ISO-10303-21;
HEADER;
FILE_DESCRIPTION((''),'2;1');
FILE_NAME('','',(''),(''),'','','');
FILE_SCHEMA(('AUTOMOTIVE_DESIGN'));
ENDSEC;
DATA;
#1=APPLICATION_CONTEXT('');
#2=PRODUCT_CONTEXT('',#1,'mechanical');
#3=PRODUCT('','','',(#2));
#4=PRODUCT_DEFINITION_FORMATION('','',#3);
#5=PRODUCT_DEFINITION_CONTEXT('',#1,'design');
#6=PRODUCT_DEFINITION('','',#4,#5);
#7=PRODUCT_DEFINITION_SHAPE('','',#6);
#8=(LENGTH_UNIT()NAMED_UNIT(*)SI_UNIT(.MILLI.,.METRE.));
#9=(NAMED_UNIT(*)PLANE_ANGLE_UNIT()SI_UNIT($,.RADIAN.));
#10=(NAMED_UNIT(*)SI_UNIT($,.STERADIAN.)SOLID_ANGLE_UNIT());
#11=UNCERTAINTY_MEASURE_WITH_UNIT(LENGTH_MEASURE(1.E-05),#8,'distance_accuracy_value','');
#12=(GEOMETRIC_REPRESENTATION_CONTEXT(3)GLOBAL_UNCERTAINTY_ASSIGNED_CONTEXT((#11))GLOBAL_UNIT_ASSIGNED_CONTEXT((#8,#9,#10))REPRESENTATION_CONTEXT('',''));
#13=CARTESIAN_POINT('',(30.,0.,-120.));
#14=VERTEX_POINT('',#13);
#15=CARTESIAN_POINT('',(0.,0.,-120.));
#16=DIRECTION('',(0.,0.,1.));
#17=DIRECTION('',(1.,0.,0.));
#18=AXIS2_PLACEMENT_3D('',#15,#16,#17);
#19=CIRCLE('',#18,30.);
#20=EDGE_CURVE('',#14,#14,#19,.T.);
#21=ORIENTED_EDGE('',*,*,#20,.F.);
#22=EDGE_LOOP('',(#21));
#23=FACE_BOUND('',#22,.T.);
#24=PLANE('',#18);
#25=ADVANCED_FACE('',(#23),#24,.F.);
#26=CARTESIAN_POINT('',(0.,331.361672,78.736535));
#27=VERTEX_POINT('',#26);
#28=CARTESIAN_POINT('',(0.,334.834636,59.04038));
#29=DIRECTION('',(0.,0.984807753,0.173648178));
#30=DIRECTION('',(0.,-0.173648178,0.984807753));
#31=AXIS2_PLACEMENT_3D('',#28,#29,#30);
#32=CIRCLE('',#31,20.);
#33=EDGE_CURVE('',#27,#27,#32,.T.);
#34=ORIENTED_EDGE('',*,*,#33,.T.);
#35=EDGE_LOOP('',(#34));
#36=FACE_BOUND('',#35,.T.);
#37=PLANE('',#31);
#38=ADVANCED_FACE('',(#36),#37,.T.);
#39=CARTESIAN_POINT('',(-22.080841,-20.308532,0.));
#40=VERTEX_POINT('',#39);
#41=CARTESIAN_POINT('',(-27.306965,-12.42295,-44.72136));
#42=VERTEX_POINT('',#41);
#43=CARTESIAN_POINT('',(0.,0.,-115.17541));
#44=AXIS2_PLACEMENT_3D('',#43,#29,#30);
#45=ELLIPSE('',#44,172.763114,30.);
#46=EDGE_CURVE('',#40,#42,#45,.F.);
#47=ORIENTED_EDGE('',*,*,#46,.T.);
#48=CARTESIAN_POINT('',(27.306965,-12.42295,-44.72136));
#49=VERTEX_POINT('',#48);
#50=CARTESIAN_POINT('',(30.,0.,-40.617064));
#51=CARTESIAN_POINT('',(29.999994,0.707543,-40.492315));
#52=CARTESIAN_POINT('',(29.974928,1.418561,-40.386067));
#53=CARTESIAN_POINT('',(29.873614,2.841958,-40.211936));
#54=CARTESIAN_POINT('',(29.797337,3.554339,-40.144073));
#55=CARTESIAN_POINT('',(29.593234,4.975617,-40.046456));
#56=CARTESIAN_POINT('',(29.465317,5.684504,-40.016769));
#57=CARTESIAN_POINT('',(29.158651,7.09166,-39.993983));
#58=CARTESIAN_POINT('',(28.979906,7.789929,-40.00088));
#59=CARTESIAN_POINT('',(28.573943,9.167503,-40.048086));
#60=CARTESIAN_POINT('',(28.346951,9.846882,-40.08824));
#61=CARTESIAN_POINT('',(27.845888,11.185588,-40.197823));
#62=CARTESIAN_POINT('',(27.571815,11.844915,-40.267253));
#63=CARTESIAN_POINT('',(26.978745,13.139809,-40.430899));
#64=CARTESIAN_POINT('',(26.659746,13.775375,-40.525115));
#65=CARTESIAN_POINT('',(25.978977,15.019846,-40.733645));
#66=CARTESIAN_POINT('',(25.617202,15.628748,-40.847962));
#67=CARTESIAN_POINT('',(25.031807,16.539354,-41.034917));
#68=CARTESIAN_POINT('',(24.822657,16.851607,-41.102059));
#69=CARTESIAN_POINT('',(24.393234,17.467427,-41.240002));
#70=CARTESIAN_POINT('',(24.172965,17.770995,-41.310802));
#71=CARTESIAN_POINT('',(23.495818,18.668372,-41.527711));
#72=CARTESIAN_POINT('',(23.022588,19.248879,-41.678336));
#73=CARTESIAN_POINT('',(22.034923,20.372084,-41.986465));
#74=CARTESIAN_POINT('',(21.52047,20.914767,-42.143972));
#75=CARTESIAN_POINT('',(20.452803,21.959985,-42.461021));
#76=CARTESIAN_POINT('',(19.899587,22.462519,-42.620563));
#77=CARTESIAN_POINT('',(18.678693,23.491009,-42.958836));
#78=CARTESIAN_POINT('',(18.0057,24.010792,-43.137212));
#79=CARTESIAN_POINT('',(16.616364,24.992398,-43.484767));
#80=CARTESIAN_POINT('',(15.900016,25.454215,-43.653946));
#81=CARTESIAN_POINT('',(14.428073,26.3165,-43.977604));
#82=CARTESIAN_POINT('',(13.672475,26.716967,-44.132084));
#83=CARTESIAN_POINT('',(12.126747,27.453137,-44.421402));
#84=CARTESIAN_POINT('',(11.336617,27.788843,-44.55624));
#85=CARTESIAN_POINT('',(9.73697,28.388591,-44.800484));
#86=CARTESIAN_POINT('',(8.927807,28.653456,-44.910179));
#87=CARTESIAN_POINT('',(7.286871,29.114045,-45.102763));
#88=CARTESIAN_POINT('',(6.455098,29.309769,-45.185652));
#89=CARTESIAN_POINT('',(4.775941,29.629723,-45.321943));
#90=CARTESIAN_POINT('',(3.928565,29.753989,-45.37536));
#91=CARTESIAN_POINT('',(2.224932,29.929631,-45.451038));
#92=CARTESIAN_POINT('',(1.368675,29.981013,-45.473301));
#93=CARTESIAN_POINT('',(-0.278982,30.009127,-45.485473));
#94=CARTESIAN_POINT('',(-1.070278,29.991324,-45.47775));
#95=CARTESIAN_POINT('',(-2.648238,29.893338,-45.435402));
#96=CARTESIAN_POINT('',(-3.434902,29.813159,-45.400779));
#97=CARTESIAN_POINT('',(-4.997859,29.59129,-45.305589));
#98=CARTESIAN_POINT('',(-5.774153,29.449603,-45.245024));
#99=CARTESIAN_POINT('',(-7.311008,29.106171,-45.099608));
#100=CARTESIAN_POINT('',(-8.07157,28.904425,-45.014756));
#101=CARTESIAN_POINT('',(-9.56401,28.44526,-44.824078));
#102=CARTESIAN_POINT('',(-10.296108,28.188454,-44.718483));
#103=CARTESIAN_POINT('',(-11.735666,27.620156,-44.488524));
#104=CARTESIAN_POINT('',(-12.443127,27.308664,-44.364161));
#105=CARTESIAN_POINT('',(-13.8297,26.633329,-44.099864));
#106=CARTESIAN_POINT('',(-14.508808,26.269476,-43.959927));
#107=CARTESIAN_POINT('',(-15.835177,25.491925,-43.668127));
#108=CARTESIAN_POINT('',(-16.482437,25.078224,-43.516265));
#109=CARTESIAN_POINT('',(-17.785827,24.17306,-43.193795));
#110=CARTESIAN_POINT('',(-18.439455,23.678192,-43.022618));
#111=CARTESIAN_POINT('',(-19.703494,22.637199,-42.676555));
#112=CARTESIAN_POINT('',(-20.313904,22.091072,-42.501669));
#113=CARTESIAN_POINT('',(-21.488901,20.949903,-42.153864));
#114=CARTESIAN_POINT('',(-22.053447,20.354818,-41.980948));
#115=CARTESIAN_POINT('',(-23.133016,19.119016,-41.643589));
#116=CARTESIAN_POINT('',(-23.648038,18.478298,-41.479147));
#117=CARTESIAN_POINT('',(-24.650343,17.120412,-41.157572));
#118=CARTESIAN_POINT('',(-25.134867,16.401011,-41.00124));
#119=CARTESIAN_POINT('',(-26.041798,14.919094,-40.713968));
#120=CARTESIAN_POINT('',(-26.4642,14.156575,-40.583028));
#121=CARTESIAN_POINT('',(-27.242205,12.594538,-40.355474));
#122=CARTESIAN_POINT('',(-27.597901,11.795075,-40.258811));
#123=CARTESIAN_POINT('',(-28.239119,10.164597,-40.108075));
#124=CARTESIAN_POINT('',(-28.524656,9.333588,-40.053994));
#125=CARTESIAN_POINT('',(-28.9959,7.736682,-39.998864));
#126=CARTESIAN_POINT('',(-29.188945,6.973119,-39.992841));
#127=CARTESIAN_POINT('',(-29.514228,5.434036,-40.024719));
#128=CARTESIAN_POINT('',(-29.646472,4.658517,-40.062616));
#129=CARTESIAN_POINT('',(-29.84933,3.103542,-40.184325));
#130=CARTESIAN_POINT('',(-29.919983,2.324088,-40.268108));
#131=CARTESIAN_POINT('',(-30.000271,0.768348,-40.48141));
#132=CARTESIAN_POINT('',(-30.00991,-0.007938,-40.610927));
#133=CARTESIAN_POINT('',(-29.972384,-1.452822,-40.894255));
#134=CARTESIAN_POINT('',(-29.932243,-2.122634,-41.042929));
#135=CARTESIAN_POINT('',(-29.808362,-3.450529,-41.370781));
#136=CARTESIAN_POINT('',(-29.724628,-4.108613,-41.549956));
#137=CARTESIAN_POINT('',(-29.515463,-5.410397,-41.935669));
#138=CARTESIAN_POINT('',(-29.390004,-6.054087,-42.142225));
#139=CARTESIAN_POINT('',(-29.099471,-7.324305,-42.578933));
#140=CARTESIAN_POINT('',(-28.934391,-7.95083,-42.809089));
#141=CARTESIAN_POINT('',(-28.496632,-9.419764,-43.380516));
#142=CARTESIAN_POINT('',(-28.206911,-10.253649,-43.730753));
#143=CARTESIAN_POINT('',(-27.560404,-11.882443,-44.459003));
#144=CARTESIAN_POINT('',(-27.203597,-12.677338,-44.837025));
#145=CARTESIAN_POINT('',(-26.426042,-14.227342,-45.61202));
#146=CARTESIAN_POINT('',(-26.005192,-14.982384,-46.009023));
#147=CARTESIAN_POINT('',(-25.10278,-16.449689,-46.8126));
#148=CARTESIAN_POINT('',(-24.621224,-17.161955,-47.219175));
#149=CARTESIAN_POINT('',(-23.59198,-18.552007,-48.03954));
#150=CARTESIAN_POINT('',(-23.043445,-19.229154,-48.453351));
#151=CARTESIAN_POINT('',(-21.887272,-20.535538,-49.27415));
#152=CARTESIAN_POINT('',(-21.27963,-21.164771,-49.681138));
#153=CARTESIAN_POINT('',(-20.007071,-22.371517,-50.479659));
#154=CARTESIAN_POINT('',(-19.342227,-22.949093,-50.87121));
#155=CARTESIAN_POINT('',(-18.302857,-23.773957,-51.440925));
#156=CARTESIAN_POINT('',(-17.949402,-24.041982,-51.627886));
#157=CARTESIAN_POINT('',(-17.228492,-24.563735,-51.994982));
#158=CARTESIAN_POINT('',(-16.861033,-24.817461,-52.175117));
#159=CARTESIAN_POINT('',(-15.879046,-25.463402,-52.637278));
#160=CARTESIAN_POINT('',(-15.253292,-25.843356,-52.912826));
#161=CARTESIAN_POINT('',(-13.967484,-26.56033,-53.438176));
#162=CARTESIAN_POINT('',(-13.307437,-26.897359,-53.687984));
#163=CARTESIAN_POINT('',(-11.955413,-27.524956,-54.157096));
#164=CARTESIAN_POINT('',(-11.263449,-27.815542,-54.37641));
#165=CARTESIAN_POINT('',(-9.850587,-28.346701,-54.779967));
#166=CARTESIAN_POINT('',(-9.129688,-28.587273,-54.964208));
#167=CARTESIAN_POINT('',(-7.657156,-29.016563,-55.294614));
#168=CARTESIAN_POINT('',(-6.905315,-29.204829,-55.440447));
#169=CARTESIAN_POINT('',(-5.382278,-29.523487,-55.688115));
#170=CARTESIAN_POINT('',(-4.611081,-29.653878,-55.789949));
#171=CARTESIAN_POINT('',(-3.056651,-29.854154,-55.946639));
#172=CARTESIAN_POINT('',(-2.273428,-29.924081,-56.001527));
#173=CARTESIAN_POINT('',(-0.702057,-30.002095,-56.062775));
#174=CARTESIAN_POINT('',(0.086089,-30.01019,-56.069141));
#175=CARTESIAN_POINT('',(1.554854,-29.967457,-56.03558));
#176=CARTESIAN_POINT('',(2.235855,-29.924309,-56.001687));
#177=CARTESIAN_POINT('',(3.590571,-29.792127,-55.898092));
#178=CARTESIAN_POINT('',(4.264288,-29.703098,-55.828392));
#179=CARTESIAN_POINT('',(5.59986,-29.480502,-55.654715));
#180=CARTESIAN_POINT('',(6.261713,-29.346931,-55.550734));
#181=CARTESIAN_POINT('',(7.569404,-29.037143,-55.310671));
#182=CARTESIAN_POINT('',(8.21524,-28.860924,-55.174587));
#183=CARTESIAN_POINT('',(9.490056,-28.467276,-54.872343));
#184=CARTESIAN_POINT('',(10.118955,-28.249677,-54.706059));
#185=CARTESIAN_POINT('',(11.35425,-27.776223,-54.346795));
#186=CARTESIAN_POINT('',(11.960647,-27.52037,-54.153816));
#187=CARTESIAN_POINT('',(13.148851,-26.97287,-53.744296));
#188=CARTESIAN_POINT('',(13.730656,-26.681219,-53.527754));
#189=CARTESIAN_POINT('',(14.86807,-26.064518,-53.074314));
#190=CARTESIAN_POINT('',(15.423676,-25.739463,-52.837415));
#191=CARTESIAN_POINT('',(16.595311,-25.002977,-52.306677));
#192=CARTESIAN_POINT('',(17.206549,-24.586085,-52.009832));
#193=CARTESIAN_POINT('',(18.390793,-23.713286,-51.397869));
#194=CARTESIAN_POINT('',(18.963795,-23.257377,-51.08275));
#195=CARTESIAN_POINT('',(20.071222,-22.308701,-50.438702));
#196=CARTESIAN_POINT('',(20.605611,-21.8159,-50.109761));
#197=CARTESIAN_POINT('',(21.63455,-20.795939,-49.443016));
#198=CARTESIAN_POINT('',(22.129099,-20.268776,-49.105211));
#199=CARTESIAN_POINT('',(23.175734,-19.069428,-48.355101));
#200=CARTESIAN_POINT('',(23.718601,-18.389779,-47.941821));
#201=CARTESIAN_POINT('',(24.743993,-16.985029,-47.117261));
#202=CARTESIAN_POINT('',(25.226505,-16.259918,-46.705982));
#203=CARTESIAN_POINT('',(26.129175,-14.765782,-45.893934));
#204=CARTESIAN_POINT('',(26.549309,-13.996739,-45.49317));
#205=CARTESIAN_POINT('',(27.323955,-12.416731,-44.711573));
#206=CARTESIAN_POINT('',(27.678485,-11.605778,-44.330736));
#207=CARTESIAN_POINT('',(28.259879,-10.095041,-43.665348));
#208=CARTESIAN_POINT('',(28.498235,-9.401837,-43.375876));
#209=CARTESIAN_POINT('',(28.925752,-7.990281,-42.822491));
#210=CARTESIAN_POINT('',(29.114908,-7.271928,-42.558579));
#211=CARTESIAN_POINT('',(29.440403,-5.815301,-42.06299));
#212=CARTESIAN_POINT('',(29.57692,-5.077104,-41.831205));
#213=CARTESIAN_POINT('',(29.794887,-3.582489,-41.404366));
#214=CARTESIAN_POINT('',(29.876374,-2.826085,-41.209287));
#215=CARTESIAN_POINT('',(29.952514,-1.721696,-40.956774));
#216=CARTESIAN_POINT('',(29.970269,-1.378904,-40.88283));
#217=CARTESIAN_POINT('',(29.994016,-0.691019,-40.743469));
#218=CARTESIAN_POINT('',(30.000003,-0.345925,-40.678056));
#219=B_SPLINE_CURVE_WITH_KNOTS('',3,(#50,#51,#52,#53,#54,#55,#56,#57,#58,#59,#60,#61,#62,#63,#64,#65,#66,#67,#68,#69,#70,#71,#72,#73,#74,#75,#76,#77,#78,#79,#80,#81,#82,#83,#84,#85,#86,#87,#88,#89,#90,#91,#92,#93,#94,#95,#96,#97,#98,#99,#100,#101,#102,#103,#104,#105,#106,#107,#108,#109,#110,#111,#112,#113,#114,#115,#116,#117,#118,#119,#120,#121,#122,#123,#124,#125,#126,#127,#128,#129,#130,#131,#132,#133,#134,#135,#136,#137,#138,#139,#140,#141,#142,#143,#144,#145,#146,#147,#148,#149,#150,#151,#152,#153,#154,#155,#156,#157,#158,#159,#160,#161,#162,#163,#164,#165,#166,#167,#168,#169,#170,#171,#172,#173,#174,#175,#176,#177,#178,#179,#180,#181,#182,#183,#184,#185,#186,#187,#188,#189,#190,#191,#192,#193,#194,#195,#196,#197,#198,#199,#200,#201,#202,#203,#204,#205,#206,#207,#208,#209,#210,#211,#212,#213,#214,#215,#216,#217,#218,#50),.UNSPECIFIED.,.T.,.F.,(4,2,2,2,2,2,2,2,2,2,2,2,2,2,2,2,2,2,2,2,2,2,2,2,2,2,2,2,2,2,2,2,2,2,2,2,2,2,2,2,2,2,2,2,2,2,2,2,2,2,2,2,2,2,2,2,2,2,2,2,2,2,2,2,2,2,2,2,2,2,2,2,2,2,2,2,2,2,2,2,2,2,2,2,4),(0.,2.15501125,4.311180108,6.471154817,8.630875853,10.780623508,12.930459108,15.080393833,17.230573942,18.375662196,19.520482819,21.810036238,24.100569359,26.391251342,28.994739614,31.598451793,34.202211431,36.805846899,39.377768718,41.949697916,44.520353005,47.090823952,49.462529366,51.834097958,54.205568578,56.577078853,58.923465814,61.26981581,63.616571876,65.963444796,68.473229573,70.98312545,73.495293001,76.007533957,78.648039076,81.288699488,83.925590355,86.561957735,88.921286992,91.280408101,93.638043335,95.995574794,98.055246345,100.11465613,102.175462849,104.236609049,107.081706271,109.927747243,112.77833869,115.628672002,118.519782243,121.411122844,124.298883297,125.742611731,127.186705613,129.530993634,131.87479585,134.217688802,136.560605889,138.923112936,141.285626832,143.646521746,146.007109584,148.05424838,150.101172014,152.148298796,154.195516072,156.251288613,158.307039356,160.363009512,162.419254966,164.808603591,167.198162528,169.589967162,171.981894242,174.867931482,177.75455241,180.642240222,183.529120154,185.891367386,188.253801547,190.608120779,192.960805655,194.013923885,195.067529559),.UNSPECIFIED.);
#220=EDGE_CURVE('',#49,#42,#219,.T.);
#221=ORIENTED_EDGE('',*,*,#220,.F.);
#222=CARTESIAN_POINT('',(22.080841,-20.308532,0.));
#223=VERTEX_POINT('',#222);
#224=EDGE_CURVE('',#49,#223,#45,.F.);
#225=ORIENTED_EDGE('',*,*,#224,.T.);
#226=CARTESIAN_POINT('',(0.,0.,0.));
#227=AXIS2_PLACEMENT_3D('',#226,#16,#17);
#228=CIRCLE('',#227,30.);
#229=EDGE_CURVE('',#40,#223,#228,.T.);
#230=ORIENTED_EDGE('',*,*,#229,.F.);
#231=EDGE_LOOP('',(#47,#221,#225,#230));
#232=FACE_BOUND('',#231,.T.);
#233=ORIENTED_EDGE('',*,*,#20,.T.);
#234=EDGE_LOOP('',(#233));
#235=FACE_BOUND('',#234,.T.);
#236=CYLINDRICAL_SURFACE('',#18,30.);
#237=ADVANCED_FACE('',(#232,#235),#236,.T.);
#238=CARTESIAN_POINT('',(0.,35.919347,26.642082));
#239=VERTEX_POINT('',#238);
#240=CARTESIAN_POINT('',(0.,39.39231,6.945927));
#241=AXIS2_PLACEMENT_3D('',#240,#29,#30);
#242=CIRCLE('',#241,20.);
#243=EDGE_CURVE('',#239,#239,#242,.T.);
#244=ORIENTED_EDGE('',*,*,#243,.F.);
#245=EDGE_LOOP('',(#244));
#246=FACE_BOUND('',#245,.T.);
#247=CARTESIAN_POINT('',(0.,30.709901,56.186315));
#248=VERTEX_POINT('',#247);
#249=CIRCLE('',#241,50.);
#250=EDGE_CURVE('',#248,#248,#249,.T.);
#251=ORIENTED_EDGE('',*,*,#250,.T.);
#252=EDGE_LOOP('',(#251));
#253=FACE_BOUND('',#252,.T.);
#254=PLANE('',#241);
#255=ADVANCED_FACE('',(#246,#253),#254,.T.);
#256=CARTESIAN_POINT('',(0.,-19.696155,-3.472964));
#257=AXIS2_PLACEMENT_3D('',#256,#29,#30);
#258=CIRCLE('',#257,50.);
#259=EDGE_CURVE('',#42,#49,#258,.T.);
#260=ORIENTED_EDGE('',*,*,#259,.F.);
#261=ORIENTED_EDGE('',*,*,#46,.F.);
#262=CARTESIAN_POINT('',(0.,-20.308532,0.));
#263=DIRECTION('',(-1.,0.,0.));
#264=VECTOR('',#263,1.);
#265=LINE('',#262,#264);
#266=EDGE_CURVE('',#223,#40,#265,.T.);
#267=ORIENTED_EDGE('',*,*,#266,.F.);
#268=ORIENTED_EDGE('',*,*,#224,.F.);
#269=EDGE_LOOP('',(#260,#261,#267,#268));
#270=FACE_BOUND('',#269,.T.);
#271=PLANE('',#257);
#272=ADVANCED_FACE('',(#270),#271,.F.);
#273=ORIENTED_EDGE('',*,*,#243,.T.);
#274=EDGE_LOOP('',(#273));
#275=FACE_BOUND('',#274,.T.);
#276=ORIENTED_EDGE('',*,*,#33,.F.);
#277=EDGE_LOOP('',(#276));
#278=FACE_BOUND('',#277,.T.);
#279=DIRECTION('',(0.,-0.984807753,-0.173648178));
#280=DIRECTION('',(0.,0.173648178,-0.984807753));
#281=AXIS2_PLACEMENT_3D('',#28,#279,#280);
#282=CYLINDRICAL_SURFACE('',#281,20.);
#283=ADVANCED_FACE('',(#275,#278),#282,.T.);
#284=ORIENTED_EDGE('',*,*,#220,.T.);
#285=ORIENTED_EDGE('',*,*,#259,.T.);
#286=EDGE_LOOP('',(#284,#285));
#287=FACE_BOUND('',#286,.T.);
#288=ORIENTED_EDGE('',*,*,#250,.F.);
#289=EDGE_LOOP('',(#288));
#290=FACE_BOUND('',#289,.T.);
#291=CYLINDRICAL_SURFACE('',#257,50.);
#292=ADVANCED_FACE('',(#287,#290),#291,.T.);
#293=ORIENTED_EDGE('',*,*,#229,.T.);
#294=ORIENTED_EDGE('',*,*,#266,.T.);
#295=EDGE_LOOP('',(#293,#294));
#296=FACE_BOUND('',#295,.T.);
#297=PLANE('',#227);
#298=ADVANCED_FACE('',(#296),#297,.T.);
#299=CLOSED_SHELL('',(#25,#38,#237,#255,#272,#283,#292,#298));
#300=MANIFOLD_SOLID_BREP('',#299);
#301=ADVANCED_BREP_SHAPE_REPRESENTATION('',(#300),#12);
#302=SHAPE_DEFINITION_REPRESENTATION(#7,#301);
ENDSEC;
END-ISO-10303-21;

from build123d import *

# Parameters (mm, degrees)
SKETCH1_R                = 30
BOSS_EXTRUDE1_DEPTH      = 120
BOSS_EXTRUDE2_DEPTH      = 40
BOSS_EXTRUDE2_DEPTH_BACK = 20
SKETCH2_R                = 50
SKETCH3_R                = 20
BOSS_EXTRUDE3_DEPTH      = 300


with BuildPart() as part:
    # Sketch1 → Boss-Extrude1 (new body)
    with BuildSketch(Plane.XY):
        Circle(SKETCH1_R)
    extrude(amount=-BOSS_EXTRUDE1_DEPTH)

    # Sketch2 → Boss-Extrude2 (add, two sides: drawn at the far end of the back side and taken through both)
    with BuildSketch(Plane(origin=(0, 0, 0), x_dir=(1, 0, 0), z_dir=(0, 0.984807753012208, 0.17364817766693072)).offset(-BOSS_EXTRUDE2_DEPTH_BACK)):
        Circle(SKETCH2_R)
    extrude(amount=BOSS_EXTRUDE2_DEPTH + BOSS_EXTRUDE2_DEPTH_BACK)

    # Sketch3 → Boss-Extrude3 (add)
    with BuildSketch(Plane(origin=(0, 39.39231012, 6.945927107), x_dir=(1, 0, 0), z_dir=(0, 0.9848077530122081, 0.17364817766693072))):
        Circle(SKETCH3_R)
    extrude(amount=BOSS_EXTRUDE3_DEPTH)


solid = part.part
